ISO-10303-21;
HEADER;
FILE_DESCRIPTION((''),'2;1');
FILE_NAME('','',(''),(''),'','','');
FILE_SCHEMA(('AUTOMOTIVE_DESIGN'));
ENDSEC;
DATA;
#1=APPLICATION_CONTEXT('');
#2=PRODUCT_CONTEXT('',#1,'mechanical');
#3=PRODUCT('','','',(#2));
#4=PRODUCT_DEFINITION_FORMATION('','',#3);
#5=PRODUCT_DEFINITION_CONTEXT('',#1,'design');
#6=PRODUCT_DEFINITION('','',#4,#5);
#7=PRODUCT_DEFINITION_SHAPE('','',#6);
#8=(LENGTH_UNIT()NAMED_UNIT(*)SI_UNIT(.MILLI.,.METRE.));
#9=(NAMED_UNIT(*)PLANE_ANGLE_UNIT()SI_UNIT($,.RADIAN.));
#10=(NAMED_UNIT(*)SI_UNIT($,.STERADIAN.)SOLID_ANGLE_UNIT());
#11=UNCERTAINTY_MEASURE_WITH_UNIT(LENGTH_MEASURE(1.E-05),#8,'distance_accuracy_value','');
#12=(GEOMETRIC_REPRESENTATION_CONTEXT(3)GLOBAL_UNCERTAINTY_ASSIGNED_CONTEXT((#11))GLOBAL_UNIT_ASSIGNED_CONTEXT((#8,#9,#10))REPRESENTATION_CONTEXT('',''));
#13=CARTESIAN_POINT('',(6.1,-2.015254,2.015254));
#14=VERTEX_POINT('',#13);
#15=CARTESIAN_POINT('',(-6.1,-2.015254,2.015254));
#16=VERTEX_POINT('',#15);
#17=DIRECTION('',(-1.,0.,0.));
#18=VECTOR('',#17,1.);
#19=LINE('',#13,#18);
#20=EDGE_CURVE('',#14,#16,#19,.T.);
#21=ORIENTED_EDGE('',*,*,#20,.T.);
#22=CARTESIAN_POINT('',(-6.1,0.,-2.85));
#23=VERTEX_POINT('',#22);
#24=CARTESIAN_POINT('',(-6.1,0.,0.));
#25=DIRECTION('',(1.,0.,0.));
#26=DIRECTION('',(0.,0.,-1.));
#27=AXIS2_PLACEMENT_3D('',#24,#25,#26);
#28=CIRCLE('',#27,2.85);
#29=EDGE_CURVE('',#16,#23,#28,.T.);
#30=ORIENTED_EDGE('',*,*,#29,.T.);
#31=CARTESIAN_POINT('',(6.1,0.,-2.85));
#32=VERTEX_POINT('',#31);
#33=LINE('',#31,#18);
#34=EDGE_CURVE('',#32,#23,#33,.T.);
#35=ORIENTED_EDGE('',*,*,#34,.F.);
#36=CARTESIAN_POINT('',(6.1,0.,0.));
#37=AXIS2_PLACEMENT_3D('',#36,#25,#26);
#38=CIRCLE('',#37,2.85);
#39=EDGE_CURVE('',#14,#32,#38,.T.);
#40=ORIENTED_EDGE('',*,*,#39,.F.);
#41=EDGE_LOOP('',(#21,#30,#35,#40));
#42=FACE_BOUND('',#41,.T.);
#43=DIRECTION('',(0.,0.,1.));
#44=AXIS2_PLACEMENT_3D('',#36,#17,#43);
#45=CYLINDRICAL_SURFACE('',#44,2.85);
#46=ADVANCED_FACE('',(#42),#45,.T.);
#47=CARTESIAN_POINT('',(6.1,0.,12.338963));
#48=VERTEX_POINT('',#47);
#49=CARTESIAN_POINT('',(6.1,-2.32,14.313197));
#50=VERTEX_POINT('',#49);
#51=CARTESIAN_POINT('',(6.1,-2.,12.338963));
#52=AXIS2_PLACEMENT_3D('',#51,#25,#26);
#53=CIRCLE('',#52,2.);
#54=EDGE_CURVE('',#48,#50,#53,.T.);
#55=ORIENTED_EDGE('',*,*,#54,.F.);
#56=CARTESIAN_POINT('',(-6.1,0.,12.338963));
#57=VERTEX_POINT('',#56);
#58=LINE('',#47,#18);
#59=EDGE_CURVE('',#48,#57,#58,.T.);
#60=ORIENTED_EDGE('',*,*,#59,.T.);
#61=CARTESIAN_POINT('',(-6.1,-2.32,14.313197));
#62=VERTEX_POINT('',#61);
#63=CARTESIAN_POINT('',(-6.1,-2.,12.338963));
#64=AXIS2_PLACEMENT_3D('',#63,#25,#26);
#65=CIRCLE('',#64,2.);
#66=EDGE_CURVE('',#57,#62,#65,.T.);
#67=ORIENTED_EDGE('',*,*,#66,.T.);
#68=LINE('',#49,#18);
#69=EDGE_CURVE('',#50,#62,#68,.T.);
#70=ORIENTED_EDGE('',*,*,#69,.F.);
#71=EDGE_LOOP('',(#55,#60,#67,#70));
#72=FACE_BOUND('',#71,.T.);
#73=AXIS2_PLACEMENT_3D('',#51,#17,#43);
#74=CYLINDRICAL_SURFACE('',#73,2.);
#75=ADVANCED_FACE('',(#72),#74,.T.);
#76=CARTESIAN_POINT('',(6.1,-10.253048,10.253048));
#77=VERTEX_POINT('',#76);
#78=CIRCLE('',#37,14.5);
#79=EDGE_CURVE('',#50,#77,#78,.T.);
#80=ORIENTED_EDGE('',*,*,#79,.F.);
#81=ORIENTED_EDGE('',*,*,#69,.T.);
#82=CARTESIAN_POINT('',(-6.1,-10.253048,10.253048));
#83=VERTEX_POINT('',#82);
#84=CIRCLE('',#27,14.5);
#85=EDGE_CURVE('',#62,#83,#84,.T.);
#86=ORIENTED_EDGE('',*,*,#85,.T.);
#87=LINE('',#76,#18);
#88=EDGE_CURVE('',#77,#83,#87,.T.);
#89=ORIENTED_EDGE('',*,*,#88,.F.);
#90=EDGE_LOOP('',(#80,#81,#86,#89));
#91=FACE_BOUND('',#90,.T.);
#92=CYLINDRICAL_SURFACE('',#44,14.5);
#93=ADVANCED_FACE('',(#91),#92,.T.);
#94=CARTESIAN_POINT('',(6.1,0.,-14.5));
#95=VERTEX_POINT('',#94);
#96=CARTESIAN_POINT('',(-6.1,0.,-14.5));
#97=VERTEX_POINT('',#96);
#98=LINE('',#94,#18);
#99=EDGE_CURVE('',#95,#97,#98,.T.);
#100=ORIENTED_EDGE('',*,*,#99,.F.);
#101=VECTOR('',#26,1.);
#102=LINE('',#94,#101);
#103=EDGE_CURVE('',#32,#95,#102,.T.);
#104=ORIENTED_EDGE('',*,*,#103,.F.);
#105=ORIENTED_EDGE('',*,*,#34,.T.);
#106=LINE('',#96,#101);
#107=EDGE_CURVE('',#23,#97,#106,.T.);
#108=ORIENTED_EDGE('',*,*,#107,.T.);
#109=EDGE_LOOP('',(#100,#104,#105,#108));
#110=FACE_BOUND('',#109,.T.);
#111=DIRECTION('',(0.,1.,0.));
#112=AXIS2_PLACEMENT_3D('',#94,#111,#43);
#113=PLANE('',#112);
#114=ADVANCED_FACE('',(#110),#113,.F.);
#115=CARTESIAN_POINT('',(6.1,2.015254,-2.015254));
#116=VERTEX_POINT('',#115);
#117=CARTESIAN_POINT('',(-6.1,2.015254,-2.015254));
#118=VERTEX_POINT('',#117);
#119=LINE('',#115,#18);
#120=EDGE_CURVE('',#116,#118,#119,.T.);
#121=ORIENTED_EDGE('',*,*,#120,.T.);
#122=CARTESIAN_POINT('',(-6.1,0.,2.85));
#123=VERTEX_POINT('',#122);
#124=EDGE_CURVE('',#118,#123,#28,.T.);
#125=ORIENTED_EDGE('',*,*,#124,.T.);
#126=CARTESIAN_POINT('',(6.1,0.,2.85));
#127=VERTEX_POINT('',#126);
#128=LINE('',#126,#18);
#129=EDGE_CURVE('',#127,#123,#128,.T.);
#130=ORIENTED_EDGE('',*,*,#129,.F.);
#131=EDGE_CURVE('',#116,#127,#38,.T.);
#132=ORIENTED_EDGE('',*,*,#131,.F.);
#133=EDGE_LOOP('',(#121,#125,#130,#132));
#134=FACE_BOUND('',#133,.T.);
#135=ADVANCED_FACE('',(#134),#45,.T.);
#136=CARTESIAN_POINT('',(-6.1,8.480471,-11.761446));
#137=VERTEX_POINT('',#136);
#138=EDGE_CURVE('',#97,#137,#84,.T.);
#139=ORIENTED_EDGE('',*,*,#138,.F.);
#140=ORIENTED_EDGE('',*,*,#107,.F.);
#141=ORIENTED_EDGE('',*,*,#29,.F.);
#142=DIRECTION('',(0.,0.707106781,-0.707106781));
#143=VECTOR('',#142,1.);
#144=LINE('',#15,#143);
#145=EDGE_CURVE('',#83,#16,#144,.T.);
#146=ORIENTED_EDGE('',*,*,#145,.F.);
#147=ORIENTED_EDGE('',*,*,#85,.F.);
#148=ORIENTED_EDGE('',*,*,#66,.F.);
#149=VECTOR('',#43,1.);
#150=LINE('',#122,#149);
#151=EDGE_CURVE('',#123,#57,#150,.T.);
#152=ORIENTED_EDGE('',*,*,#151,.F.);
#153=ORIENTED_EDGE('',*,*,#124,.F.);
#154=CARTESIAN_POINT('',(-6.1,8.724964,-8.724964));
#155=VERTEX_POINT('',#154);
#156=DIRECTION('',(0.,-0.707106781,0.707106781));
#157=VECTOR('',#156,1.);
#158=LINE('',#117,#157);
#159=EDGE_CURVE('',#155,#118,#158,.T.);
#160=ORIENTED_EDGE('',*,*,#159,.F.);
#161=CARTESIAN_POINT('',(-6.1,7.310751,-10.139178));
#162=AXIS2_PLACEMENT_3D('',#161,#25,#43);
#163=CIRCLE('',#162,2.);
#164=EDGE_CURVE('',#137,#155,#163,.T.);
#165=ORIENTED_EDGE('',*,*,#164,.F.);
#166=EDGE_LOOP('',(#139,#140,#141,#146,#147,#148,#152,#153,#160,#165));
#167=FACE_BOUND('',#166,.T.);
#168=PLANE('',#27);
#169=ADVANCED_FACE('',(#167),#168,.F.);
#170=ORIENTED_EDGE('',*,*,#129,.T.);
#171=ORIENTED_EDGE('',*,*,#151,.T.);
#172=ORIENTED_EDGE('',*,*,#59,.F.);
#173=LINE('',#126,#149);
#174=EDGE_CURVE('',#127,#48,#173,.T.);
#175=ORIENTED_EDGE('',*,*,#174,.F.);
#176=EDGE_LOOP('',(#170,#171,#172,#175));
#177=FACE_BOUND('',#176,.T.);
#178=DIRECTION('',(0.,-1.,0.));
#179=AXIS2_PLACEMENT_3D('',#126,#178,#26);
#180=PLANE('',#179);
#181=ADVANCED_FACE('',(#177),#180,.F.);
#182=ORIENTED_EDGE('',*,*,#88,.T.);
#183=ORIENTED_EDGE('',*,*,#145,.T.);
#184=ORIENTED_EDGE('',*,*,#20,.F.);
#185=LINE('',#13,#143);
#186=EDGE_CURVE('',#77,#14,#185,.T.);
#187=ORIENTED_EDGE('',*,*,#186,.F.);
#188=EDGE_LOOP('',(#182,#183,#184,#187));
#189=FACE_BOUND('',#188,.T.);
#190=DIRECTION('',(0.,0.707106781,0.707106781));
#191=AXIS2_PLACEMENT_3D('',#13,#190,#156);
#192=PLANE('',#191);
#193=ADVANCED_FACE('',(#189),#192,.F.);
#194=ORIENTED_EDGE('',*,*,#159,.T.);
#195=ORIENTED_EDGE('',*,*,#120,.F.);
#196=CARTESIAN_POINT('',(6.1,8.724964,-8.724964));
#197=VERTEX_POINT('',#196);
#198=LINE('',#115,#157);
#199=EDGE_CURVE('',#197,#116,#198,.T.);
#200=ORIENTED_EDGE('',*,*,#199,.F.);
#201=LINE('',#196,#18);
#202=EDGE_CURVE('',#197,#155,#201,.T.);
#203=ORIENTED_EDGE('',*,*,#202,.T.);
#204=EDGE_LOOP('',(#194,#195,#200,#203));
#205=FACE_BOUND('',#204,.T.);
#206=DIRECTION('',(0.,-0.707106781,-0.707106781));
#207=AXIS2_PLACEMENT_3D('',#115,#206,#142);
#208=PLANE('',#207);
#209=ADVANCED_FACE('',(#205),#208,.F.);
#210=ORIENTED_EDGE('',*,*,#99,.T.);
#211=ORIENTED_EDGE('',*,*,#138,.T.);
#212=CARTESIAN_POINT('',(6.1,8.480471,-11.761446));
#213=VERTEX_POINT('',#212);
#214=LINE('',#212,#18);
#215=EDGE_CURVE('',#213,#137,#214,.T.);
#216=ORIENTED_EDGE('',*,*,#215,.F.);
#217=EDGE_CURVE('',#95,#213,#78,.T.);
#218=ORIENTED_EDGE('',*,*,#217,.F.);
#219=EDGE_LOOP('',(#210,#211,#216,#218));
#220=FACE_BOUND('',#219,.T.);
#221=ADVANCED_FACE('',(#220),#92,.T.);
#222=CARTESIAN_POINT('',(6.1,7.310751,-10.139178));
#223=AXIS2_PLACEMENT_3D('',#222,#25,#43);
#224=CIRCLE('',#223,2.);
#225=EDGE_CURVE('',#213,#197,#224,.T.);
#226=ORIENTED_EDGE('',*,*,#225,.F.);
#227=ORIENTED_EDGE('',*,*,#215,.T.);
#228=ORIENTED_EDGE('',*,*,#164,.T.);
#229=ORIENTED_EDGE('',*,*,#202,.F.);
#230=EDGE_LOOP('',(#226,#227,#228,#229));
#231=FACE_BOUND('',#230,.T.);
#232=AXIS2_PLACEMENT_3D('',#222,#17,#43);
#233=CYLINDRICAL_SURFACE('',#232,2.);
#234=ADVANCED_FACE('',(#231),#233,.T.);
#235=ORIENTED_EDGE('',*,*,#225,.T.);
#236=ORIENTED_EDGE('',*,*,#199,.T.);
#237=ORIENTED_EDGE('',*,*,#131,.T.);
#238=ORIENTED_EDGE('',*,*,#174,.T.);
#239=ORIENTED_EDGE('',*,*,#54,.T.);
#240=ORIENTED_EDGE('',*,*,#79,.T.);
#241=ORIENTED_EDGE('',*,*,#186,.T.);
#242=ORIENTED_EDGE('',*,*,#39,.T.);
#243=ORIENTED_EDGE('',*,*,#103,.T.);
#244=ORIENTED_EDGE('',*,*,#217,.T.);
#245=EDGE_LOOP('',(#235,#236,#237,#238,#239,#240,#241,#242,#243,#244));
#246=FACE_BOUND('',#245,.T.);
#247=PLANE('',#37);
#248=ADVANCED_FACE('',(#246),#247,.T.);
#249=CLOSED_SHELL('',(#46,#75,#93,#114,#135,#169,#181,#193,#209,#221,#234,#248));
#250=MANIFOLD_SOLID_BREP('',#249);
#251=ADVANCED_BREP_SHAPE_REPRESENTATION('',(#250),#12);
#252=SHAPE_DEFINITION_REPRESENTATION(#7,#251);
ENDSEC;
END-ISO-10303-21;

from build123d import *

# Parameters (mm, degrees)
BOSS_EXTRUDE1_DEPTH = 6.1


with BuildPart() as part:
    # Sketch2 → Boss-Extrude1 (new, symmetric)
    with BuildSketch(Plane(origin=(0, 0, 0), x_dir=(0, 0, -1), z_dir=(1, 0, 0))):
        with BuildLine():
            Line((2.015254326, 2.015254326), (8.724964183, 8.724964183))
            ThreePointArc((8.724964183, 8.724964183), (10.299695568, 9.304298721), (11.761446185, 8.48047072))
            ThreePointArc((11.761446185, 8.48047072), (13.798387038, 4.455840567), (14.5, 0))
            Line((14.5, 0), (2.85, 0))
            ThreePointArc((2.85, 0), (1.090647782, -2.633056668), (-2.015254326, -2.015254326))
            Line((-2.015254326, -2.015254326), (-10.253048327, -10.253048327))
            ThreePointArc((-10.253048327, -10.253048327), (-12.907688125, -6.606177963), (-14.313196708, -2.32))
            ThreePointArc((-14.313196708, -2.32), (-13.8621173, -0.70385186), (-12.338962679, 0))
            Line((-12.338962679, 0), (-2.85, 0))
            ThreePointArc((-2.85, 0), (-1.090647782, 2.633056668), (2.015254326, 2.015254326))
        make_face()
    extrude(amount=BOSS_EXTRUDE1_DEPTH, both=True)


solid = part.part
